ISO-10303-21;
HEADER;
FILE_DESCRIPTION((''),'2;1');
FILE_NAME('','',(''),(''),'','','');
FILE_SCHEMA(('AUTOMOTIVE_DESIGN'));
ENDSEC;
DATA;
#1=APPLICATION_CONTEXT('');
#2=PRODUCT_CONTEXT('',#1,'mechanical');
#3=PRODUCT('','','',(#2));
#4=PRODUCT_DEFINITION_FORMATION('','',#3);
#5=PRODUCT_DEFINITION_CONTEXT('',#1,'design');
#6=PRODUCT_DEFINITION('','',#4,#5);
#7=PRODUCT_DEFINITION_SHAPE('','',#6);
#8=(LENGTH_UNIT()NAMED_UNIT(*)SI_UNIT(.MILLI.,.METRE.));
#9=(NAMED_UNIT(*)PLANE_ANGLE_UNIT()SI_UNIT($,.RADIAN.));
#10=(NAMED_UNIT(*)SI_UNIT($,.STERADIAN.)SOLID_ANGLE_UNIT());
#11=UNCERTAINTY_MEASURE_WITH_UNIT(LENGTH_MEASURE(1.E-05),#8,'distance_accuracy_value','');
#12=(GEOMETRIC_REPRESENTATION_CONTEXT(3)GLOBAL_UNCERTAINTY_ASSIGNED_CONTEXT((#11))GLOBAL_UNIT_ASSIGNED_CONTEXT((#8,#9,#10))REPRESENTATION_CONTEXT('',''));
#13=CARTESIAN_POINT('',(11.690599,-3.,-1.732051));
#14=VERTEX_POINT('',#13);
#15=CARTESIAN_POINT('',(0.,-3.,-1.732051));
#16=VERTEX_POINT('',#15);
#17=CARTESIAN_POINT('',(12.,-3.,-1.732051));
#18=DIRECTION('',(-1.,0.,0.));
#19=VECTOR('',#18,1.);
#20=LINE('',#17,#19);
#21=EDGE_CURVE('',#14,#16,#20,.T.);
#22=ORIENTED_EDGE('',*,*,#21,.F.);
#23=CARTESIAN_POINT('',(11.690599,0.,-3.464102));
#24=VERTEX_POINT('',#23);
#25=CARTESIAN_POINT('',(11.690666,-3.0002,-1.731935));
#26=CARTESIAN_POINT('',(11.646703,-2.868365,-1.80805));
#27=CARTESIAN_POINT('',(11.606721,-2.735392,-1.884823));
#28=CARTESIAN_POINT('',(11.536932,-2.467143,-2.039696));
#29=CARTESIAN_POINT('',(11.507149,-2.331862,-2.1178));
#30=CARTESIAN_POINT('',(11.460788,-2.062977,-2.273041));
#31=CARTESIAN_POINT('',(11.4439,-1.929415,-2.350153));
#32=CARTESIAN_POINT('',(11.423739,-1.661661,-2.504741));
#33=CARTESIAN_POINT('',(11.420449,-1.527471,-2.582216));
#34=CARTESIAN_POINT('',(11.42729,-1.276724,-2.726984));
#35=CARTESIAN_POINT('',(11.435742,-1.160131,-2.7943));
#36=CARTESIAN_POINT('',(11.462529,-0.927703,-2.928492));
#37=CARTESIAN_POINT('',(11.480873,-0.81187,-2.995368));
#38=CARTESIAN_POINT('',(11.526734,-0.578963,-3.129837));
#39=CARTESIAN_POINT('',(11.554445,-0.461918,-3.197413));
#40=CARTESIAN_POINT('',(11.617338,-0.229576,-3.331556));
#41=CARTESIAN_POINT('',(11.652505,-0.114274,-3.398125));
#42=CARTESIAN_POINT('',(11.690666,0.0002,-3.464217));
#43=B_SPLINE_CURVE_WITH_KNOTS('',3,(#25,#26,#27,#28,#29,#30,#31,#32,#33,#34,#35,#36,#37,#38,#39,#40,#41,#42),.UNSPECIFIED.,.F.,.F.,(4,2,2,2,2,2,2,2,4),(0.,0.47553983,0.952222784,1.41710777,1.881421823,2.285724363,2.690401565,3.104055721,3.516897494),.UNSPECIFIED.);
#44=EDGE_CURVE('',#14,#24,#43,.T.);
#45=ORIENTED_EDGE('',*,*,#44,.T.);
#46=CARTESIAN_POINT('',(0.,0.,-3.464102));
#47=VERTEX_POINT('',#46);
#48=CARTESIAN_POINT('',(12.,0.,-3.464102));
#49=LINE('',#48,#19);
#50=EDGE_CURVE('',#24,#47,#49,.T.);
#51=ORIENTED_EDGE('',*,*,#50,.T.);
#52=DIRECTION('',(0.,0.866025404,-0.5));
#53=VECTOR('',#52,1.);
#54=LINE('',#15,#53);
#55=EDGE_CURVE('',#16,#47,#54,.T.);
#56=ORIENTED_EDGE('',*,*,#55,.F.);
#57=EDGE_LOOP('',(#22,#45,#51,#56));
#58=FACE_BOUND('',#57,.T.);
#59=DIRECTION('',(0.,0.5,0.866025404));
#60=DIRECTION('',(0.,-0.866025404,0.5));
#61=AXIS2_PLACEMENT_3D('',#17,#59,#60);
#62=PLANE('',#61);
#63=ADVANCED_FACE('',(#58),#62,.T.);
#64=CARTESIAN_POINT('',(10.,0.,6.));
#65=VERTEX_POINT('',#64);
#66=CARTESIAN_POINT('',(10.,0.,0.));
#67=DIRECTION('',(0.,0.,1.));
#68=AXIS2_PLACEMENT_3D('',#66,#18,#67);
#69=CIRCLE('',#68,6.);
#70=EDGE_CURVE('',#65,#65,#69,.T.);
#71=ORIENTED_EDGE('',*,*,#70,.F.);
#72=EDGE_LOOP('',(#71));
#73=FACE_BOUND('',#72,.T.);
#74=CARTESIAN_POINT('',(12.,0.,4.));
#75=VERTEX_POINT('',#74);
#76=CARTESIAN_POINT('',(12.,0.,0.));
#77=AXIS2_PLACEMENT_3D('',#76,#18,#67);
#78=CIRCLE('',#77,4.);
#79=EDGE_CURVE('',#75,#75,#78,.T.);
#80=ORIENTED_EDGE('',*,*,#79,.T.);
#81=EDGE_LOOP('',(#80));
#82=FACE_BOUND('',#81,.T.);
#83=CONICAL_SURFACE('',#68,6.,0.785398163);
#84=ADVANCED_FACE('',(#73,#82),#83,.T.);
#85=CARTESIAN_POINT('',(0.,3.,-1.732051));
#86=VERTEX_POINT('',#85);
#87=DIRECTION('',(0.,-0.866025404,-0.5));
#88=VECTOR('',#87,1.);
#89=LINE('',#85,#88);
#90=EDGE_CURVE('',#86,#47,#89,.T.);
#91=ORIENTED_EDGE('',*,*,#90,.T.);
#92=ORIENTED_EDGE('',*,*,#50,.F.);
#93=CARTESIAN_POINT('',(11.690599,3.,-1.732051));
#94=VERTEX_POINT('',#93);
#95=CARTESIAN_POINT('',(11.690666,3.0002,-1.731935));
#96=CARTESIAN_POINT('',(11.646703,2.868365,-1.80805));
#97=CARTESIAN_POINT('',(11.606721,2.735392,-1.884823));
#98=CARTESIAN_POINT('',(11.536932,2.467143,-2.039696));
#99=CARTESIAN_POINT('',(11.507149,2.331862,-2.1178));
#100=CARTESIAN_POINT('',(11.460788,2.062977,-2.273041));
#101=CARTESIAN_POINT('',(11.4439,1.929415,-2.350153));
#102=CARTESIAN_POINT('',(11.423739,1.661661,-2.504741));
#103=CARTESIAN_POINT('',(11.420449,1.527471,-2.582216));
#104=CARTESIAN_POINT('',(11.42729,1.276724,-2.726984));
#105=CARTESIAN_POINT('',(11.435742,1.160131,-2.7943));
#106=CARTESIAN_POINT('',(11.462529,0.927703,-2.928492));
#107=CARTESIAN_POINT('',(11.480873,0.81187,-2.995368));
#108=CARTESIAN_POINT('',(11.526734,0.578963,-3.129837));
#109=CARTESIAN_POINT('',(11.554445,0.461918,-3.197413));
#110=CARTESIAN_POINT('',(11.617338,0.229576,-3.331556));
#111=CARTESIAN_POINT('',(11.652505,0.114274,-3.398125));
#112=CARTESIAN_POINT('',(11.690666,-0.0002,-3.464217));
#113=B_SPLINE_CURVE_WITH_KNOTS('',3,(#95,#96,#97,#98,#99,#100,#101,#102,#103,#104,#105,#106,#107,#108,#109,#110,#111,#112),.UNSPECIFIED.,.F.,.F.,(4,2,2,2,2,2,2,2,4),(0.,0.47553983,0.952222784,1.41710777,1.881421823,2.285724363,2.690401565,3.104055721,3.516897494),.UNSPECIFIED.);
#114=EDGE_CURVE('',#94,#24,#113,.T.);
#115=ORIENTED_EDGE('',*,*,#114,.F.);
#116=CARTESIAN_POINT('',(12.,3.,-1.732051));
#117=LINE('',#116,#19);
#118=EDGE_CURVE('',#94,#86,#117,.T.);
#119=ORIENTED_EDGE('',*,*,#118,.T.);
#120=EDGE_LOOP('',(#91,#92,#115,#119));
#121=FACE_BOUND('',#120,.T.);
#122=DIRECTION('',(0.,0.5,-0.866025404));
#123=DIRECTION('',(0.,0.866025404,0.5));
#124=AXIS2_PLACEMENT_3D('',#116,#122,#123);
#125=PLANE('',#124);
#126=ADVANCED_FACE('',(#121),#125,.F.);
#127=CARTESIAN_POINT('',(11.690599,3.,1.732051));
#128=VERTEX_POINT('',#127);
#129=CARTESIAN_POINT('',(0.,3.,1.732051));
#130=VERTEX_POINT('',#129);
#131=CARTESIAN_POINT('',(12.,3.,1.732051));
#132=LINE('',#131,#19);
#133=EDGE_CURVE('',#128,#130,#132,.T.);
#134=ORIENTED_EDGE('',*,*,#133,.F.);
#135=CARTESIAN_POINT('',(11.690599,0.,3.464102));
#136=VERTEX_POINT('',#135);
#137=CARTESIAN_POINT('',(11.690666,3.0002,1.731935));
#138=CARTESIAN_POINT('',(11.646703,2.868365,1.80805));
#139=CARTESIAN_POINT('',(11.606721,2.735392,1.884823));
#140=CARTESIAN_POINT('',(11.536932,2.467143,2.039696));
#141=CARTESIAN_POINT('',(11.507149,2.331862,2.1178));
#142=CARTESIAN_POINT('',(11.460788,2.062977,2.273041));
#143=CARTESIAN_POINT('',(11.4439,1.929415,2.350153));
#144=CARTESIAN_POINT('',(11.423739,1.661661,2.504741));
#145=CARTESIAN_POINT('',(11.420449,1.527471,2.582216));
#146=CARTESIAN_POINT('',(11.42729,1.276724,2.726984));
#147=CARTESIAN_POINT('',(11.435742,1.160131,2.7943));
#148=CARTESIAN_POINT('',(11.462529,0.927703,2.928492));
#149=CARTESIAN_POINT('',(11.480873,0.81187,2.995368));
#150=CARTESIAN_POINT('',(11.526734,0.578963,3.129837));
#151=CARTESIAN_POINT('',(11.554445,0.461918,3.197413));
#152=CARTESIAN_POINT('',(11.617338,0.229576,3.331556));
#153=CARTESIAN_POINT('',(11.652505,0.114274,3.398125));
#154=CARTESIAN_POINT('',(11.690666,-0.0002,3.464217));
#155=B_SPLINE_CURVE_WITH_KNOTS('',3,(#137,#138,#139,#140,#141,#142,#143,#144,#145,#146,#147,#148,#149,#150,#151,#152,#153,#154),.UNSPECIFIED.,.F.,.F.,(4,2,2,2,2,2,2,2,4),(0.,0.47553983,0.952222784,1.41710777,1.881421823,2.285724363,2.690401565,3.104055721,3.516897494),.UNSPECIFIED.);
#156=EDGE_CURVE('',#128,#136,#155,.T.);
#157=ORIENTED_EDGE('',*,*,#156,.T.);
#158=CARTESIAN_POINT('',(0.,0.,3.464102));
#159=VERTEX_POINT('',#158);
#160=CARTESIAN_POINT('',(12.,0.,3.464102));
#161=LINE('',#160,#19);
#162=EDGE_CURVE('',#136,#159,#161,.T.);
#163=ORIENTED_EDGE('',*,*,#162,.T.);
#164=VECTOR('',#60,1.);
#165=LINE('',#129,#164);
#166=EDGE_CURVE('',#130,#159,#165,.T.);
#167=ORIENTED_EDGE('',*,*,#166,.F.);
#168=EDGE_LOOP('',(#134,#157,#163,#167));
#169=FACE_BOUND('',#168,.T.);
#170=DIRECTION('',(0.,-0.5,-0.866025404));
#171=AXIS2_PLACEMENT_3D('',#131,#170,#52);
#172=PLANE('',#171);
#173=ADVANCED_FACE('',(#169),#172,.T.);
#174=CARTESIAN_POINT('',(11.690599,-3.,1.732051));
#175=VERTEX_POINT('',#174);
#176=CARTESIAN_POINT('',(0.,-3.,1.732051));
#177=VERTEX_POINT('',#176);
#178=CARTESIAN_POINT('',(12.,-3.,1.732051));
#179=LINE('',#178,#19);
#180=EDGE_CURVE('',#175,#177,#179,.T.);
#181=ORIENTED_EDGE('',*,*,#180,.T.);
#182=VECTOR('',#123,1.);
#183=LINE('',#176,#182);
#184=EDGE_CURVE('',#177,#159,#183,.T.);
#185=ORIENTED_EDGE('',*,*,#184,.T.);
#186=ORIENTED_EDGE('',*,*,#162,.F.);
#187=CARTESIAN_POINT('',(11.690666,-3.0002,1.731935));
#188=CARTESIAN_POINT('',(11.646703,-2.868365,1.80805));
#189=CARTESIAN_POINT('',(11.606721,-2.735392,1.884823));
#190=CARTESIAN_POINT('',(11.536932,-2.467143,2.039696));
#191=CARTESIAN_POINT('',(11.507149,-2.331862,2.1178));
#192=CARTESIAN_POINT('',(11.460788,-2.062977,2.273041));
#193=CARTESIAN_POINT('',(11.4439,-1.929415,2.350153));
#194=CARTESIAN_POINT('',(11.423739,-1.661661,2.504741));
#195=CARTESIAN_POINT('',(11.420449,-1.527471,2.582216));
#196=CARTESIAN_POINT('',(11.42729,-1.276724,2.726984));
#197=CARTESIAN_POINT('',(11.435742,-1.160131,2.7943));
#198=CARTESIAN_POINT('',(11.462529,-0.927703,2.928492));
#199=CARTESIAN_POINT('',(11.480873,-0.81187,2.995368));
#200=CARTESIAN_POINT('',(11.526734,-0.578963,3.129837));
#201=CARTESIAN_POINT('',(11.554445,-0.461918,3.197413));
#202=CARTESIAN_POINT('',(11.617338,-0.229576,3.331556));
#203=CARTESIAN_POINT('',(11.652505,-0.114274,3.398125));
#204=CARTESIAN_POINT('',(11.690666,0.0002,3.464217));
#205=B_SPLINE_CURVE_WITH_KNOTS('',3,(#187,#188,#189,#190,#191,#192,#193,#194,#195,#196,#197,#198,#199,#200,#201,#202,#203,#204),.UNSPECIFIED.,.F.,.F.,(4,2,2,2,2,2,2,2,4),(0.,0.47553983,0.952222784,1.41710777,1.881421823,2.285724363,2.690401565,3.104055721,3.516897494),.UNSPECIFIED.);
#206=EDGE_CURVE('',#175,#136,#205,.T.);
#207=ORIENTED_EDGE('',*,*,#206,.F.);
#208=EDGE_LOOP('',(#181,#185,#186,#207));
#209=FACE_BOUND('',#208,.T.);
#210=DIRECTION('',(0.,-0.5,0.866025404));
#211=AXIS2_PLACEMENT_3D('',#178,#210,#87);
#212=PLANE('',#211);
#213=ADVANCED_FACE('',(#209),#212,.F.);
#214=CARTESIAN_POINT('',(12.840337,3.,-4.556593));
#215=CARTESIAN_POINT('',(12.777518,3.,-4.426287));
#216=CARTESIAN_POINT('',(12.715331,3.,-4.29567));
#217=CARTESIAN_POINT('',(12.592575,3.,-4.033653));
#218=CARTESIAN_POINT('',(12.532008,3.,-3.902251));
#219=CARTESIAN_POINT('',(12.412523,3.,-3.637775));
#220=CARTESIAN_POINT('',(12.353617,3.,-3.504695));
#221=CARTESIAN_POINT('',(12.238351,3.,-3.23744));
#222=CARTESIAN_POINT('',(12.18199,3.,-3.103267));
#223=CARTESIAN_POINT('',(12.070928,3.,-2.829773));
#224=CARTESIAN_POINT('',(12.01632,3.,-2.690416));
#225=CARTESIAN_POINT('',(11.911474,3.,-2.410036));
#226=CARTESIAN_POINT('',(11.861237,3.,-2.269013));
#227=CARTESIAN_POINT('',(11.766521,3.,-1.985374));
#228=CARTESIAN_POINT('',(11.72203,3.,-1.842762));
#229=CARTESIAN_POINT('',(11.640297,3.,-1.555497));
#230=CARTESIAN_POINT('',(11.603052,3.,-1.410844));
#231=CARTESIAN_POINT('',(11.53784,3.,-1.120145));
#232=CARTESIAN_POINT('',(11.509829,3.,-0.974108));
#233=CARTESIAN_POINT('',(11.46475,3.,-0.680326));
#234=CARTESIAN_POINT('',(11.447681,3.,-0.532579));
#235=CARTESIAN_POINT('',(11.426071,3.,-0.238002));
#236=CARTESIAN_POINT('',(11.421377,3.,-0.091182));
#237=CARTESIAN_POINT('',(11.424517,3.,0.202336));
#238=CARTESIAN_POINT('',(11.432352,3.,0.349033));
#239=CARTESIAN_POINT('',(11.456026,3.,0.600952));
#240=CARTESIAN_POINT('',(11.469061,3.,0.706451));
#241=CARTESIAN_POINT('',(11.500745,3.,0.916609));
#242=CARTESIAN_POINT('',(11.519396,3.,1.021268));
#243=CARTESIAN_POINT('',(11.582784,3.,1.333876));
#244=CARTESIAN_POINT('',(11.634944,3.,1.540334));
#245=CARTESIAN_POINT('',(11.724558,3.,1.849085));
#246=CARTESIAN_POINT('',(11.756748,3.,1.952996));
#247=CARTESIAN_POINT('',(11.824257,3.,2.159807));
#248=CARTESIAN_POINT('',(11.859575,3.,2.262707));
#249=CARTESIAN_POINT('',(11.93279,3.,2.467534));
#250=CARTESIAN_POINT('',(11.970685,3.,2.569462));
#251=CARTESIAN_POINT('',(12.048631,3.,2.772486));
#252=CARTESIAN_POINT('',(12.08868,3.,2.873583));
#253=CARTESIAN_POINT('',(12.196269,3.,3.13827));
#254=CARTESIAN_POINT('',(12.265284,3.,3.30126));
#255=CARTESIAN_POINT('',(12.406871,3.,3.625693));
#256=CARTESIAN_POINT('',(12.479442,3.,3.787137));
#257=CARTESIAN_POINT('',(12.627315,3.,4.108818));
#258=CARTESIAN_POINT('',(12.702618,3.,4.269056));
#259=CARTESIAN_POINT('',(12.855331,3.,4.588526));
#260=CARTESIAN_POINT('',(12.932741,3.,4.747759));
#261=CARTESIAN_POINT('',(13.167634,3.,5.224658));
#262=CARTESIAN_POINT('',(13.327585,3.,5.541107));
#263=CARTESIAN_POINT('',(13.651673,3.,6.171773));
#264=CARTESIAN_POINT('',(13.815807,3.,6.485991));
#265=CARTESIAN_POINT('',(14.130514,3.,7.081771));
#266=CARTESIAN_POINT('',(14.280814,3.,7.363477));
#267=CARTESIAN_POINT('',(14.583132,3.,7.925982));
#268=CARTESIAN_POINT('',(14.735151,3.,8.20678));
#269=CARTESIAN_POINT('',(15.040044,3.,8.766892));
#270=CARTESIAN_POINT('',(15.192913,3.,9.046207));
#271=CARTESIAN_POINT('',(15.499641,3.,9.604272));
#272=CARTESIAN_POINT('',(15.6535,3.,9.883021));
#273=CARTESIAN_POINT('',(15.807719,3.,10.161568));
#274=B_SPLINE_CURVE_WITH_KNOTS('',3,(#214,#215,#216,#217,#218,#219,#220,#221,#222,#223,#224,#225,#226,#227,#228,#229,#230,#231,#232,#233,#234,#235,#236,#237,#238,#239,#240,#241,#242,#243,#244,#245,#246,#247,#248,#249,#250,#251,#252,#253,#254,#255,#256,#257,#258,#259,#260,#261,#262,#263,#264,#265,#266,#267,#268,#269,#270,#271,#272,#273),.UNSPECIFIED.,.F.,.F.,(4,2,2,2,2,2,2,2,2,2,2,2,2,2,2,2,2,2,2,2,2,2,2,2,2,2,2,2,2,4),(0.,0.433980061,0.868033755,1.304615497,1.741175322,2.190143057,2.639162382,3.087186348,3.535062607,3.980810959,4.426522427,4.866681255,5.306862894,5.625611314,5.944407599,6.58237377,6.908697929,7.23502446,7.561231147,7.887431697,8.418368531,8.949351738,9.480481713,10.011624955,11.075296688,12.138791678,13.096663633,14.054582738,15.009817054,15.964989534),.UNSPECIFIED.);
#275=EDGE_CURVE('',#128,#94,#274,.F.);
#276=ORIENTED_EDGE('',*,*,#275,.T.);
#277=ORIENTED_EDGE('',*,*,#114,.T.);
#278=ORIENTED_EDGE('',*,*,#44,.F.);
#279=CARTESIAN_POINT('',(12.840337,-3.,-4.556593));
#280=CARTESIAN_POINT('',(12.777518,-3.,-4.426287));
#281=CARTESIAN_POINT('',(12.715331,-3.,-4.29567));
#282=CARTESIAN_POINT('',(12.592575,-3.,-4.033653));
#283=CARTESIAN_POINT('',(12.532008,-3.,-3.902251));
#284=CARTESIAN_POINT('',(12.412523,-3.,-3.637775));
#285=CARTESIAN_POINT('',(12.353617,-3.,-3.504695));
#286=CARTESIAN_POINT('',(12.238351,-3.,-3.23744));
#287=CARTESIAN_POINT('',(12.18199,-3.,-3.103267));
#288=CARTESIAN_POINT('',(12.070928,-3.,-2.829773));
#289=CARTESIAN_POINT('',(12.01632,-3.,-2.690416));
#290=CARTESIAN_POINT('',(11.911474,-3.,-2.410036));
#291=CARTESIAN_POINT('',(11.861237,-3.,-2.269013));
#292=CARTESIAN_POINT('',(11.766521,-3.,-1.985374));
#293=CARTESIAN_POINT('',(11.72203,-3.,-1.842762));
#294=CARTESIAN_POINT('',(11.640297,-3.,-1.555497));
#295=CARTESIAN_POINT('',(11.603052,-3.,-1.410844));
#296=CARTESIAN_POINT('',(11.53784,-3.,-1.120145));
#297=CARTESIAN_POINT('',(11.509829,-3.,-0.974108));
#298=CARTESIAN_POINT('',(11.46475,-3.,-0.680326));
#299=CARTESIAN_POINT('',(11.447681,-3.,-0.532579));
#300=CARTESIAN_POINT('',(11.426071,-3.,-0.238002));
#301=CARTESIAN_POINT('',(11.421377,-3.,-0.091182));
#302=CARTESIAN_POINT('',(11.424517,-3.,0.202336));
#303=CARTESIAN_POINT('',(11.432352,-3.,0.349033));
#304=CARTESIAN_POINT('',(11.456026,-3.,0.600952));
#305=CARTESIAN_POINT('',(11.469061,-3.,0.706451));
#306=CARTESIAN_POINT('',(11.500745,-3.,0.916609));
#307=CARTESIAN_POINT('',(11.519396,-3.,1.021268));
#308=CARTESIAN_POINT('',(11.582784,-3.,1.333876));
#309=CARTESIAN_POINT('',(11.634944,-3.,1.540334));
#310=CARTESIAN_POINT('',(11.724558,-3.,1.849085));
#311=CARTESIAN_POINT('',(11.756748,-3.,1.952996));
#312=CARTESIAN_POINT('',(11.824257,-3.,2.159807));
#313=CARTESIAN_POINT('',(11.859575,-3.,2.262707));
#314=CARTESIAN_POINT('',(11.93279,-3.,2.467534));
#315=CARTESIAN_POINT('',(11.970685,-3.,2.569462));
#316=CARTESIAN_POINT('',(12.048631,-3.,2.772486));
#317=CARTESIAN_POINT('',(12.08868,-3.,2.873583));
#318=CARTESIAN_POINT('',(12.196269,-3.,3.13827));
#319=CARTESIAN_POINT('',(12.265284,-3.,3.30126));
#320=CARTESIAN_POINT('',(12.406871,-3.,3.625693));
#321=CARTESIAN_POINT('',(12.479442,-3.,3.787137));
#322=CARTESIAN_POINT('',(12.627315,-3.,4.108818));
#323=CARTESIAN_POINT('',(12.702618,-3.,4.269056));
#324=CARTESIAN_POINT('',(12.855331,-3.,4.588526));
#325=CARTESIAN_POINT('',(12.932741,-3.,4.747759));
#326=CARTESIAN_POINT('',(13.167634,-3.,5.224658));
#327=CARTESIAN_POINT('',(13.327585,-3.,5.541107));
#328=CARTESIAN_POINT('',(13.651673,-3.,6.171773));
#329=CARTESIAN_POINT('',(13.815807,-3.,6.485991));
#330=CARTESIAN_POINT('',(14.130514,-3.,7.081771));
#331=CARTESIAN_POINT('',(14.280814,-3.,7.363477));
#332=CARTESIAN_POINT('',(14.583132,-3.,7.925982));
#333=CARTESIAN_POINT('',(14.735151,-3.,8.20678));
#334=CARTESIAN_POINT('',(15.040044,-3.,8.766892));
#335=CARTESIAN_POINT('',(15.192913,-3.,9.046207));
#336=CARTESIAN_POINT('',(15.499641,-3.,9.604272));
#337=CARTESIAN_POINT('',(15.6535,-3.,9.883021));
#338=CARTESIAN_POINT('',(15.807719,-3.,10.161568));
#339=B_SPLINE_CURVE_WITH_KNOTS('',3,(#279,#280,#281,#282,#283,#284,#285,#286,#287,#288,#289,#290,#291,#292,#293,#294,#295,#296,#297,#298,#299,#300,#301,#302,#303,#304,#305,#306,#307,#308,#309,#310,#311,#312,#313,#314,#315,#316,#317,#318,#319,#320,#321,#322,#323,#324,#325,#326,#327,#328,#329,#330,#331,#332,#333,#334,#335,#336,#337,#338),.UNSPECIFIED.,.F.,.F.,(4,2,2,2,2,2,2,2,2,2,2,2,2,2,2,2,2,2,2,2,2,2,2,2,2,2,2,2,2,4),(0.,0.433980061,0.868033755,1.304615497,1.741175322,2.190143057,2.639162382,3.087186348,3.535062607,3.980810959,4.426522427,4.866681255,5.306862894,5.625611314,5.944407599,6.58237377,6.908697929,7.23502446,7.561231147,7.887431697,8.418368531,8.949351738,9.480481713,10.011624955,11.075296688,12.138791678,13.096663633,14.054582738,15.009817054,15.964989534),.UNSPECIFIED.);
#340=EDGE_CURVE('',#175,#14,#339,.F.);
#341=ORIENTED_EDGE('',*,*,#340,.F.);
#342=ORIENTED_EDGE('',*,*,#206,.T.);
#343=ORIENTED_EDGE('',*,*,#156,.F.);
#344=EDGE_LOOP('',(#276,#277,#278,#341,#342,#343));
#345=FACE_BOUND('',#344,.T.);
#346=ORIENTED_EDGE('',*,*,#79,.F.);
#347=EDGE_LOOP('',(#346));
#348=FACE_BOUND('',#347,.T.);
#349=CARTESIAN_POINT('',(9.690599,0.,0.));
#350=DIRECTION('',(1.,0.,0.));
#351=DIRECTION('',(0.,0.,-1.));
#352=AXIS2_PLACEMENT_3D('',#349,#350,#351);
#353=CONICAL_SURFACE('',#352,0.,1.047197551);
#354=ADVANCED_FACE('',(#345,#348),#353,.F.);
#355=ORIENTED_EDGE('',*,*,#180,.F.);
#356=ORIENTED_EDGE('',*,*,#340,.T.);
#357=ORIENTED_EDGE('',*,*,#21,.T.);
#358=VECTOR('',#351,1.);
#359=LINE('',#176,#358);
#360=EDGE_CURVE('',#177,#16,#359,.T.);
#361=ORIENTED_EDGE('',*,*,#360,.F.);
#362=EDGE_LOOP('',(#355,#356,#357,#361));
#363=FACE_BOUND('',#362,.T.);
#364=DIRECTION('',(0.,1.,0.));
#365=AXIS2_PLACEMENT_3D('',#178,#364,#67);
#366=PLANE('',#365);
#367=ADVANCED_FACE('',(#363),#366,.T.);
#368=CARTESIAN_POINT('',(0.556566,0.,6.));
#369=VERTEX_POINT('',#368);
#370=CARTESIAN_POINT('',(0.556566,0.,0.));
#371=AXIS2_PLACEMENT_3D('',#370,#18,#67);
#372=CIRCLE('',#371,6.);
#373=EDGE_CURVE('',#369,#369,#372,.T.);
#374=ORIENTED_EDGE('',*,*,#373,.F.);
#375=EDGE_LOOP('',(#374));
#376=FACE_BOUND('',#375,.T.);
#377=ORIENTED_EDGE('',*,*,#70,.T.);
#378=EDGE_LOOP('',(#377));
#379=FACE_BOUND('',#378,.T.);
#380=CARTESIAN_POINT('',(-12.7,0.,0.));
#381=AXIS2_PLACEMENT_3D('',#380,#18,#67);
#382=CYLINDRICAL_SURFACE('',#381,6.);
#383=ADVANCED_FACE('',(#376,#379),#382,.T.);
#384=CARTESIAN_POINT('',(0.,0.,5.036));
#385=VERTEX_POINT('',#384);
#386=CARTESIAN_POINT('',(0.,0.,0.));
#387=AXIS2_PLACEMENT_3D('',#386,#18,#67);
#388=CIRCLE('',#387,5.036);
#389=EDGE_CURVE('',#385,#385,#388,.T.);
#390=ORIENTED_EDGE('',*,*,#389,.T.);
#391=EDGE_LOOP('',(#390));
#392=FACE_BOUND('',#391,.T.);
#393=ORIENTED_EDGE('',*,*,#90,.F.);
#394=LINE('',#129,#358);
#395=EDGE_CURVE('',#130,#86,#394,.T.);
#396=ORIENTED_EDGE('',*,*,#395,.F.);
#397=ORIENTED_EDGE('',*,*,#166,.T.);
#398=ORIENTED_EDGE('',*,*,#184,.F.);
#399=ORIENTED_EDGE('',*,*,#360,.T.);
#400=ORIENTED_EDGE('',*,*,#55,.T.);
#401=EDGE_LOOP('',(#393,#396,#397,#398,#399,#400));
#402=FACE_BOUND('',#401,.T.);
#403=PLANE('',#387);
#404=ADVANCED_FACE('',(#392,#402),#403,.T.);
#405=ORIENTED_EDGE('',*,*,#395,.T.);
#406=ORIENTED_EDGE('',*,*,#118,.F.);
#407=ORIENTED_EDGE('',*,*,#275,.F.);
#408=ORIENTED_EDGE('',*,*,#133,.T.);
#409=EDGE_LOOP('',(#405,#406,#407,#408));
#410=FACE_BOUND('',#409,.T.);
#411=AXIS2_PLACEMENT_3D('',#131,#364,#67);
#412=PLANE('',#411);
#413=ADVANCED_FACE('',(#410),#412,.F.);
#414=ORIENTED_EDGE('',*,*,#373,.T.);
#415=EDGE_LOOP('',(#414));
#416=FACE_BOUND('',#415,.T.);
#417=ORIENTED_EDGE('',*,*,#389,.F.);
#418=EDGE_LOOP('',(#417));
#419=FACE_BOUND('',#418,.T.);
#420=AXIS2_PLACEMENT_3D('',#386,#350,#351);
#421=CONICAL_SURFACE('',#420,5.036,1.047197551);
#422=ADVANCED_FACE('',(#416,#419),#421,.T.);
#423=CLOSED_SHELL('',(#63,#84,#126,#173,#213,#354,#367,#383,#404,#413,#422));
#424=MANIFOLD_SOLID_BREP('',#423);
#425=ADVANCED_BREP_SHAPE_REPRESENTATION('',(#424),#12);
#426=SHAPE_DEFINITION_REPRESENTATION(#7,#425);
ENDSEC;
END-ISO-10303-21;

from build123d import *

# Parameters (mm, degrees)
HEX_2_DEPTH = 15.696938457


with BuildPart() as part:
    # BodySke → BaseBody (revolve)
    with BuildSketch(Plane.XY, mode=Mode.PRIVATE) as basebody_sk:
        Polygon((0, 0), (0, 5.036), (0.556565659, 6), (10, 6), (12, 4), (9.690598923, 0), align=None)
    revolve(basebody_sk.sketch.rotate(Axis((-12.7, 0, 0), (1, 0, 0)), 90), axis=Axis((-12.7, 0, 0), (1, 0, 0)))

    # Sketch2 → Hex 2 (cut, through all)
    with BuildSketch(Plane.ZY):
        Polygon((1.732050808, 3), (-1.732050808, 3), (-3.464101615, 0), (-1.732050808, -3), (1.732050808, -3), (3.464101615, 0), align=None)
    extrude(amount=-HEX_2_DEPTH, mode=Mode.SUBTRACT)


solid = part.part
